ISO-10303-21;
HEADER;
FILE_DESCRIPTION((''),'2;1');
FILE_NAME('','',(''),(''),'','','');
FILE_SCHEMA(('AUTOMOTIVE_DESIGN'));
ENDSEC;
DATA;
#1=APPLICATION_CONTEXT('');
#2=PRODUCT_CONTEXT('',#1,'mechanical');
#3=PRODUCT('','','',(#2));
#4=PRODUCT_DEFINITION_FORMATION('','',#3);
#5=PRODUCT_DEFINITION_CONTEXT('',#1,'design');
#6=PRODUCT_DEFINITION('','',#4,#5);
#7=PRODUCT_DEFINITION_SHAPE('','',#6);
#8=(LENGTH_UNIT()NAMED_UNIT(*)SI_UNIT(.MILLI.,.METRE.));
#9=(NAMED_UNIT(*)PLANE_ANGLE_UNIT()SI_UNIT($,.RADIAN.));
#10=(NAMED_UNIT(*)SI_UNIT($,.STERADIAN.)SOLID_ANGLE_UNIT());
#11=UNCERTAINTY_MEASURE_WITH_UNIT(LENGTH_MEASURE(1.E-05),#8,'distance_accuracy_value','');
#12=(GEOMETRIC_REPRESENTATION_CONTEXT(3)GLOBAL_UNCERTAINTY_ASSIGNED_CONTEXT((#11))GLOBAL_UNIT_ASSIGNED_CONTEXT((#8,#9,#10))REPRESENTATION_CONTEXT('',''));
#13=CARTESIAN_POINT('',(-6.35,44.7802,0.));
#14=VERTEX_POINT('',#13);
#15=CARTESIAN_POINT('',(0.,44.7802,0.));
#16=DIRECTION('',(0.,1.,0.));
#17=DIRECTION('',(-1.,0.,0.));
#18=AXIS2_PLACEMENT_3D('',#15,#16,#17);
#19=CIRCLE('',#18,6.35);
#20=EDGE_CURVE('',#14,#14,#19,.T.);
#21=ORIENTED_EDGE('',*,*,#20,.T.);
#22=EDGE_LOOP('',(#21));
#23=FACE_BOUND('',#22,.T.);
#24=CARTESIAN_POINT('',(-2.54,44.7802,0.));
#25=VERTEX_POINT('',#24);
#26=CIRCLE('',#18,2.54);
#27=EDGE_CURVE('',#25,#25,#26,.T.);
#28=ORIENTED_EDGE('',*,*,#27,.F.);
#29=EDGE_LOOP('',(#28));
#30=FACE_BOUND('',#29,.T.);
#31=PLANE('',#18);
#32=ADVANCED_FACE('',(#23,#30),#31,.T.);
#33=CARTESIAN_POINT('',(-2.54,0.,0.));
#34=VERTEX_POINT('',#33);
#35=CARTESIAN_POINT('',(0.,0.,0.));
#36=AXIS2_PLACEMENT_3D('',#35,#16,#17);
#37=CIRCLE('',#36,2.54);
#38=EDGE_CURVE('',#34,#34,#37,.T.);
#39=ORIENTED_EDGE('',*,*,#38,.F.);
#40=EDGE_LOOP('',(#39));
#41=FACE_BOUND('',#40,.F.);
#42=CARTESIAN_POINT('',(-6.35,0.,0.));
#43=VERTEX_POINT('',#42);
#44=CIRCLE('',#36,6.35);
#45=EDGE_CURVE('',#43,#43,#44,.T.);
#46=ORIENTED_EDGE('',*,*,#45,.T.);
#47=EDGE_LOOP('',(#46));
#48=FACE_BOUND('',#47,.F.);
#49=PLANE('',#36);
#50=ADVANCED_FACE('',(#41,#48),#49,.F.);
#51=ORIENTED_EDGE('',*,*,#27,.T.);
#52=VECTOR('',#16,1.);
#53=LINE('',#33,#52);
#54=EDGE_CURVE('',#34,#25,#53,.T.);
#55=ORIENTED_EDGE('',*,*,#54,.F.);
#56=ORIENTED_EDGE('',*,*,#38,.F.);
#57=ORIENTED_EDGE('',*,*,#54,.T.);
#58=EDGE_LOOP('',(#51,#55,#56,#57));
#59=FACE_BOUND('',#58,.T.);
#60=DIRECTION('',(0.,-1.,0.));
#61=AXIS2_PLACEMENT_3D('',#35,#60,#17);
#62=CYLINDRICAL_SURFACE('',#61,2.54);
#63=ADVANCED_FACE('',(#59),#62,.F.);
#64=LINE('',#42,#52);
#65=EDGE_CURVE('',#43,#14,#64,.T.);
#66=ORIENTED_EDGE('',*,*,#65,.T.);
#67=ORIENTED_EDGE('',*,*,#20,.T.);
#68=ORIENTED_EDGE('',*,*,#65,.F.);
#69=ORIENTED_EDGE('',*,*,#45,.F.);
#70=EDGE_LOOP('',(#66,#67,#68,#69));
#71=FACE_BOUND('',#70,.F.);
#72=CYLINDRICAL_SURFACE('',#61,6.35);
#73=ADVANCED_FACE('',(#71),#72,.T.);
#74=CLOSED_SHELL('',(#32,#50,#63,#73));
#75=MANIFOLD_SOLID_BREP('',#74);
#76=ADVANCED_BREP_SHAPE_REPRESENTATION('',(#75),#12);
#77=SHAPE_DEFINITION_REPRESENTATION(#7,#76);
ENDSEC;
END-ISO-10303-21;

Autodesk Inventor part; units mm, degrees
ref_plane "YZ Plane" through (0, 0, 0) normal (1, 0, 0) x (0, 1, 0)
ref_plane "XZ Plane" through (0, 0, 0) normal (0, 1, 0) x (-1, 0, 0)
ref_plane "XY Plane" through (0, 0, 0) normal (0, 0, 1) x (1, 0, 0)
sketch "Sketch1" plane through (0, 0, 0) normal (0, 1, 0) x (-1, 0, 0)
  circle A0 centre (0, 0) radius 2.54
  circle A1 centre (0, 0) radius 6.35
  dimension "d0" = 5.08
  dimension "d1" = 12.7
extrude "Extrusion1" add sketch "Sketch1" along normal blind 44.7802
properties part number "ELEV_038_SPACER11" material "Aluminum 6061"
